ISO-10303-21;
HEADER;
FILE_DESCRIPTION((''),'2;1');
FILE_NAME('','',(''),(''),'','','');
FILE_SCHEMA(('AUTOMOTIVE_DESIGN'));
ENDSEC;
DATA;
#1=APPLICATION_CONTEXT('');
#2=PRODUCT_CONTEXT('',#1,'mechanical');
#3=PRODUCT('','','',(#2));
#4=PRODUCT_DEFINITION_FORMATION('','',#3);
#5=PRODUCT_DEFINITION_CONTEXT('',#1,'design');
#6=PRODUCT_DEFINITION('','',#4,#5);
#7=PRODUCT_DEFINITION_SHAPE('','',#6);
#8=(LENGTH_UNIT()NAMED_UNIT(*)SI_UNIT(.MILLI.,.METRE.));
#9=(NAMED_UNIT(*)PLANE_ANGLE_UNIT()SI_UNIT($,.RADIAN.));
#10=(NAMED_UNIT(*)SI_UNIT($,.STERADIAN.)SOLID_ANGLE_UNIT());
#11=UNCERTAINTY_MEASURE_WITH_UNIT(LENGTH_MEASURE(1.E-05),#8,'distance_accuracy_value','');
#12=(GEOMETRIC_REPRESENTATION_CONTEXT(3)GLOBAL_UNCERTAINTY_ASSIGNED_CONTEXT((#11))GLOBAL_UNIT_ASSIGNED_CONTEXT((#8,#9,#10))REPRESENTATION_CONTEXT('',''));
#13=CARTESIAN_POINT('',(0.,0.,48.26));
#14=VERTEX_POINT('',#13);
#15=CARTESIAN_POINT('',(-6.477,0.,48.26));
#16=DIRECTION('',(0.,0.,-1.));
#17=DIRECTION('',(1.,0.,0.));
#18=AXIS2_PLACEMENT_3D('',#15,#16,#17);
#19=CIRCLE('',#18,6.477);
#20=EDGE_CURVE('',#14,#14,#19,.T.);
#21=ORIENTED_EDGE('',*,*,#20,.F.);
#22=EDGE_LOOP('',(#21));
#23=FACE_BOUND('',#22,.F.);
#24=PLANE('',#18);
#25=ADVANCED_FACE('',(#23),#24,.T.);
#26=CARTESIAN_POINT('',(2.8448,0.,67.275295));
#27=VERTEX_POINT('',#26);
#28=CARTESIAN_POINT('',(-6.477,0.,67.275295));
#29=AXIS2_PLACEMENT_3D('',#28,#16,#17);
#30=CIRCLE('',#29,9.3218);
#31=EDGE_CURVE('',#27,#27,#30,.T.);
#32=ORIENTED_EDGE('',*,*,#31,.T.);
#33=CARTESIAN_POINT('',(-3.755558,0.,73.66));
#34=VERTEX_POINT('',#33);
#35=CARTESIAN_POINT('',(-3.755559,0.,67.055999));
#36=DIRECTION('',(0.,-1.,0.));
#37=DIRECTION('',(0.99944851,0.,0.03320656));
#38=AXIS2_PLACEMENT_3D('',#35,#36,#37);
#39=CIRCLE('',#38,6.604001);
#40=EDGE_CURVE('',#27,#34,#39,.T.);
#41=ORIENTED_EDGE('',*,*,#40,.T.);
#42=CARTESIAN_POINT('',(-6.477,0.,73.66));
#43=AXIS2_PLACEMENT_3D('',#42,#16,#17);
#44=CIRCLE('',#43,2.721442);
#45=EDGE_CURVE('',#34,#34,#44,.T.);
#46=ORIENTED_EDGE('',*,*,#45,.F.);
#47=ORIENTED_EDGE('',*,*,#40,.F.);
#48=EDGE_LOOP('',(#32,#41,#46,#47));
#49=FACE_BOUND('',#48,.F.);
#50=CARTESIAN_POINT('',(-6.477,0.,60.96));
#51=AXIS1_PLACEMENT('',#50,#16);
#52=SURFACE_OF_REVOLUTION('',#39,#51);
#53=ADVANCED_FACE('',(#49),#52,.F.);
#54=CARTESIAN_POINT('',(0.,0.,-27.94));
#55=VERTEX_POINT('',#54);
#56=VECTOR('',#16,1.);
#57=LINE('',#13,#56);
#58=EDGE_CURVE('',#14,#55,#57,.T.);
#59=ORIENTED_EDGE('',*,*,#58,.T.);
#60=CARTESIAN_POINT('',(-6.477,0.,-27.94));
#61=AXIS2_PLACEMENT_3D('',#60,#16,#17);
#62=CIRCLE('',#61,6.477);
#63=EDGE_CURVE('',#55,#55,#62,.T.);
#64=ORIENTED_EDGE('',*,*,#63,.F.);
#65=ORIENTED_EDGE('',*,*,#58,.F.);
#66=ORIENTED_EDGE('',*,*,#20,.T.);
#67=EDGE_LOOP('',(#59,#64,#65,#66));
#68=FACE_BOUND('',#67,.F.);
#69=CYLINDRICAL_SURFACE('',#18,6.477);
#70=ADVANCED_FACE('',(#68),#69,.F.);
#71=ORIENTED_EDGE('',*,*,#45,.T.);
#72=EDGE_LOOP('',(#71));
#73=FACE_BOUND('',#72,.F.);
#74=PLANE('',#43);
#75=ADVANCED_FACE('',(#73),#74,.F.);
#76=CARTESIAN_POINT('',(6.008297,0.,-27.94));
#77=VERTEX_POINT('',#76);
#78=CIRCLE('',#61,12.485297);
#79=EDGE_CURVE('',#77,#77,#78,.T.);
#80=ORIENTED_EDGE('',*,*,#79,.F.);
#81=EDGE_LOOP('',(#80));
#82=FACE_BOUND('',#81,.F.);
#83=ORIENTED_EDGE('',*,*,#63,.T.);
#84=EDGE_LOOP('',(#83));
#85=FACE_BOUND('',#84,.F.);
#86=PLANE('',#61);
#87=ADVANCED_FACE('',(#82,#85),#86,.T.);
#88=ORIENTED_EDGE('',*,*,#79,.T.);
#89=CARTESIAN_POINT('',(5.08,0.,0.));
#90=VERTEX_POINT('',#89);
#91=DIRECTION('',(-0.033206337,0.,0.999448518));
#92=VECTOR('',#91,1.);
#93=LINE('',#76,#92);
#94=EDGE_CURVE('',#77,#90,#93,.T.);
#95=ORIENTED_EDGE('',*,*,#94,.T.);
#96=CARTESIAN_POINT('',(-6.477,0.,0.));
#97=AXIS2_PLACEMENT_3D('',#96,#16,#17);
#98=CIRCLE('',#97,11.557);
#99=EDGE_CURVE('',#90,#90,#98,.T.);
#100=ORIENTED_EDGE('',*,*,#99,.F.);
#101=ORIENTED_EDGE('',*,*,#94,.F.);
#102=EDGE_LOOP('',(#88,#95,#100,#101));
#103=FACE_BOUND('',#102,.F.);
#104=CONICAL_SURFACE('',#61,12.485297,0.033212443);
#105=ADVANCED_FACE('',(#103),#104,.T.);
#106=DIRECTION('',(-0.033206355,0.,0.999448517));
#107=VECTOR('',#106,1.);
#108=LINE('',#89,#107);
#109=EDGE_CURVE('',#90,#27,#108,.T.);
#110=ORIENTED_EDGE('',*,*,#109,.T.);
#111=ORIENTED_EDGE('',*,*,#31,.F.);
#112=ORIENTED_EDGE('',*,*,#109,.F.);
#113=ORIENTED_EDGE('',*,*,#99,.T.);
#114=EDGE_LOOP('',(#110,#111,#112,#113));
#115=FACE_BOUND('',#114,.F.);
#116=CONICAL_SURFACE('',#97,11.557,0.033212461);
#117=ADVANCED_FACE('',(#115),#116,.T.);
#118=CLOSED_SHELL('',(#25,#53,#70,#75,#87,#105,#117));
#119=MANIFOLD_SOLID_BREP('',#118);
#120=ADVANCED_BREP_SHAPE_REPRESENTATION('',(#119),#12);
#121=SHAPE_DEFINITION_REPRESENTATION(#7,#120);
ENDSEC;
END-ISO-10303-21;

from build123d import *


with BuildPart() as f1:
    # F0 (on Front) → F1 (revolve)
    with BuildSketch(Plane.XZ):
        with BuildLine():
            Line((0, 48.26), (0, 0))
            Line((0, 0), (5.08, 0))
            Line((5.08, 0), (2.8448, 67.275295))
            ThreePointArc((2.8448, 67.275295), (0.835988, 71.802632), (-3.755558, 73.66))
            Line((-3.755558, 73.66), (-6.477, 73.66))
            Line((-6.477, 73.66), (-6.477, 48.26))
            Line((-6.477, 48.26), (0, 48.26))
        make_face()
        Polygon((5.08, 0), (0, 0), (0, -27.94), (6.008297, -27.94), align=None)
    revolve(axis=Axis((-6.477, 0, 60.96), (0, 0, -1)))


solid = f1.part
